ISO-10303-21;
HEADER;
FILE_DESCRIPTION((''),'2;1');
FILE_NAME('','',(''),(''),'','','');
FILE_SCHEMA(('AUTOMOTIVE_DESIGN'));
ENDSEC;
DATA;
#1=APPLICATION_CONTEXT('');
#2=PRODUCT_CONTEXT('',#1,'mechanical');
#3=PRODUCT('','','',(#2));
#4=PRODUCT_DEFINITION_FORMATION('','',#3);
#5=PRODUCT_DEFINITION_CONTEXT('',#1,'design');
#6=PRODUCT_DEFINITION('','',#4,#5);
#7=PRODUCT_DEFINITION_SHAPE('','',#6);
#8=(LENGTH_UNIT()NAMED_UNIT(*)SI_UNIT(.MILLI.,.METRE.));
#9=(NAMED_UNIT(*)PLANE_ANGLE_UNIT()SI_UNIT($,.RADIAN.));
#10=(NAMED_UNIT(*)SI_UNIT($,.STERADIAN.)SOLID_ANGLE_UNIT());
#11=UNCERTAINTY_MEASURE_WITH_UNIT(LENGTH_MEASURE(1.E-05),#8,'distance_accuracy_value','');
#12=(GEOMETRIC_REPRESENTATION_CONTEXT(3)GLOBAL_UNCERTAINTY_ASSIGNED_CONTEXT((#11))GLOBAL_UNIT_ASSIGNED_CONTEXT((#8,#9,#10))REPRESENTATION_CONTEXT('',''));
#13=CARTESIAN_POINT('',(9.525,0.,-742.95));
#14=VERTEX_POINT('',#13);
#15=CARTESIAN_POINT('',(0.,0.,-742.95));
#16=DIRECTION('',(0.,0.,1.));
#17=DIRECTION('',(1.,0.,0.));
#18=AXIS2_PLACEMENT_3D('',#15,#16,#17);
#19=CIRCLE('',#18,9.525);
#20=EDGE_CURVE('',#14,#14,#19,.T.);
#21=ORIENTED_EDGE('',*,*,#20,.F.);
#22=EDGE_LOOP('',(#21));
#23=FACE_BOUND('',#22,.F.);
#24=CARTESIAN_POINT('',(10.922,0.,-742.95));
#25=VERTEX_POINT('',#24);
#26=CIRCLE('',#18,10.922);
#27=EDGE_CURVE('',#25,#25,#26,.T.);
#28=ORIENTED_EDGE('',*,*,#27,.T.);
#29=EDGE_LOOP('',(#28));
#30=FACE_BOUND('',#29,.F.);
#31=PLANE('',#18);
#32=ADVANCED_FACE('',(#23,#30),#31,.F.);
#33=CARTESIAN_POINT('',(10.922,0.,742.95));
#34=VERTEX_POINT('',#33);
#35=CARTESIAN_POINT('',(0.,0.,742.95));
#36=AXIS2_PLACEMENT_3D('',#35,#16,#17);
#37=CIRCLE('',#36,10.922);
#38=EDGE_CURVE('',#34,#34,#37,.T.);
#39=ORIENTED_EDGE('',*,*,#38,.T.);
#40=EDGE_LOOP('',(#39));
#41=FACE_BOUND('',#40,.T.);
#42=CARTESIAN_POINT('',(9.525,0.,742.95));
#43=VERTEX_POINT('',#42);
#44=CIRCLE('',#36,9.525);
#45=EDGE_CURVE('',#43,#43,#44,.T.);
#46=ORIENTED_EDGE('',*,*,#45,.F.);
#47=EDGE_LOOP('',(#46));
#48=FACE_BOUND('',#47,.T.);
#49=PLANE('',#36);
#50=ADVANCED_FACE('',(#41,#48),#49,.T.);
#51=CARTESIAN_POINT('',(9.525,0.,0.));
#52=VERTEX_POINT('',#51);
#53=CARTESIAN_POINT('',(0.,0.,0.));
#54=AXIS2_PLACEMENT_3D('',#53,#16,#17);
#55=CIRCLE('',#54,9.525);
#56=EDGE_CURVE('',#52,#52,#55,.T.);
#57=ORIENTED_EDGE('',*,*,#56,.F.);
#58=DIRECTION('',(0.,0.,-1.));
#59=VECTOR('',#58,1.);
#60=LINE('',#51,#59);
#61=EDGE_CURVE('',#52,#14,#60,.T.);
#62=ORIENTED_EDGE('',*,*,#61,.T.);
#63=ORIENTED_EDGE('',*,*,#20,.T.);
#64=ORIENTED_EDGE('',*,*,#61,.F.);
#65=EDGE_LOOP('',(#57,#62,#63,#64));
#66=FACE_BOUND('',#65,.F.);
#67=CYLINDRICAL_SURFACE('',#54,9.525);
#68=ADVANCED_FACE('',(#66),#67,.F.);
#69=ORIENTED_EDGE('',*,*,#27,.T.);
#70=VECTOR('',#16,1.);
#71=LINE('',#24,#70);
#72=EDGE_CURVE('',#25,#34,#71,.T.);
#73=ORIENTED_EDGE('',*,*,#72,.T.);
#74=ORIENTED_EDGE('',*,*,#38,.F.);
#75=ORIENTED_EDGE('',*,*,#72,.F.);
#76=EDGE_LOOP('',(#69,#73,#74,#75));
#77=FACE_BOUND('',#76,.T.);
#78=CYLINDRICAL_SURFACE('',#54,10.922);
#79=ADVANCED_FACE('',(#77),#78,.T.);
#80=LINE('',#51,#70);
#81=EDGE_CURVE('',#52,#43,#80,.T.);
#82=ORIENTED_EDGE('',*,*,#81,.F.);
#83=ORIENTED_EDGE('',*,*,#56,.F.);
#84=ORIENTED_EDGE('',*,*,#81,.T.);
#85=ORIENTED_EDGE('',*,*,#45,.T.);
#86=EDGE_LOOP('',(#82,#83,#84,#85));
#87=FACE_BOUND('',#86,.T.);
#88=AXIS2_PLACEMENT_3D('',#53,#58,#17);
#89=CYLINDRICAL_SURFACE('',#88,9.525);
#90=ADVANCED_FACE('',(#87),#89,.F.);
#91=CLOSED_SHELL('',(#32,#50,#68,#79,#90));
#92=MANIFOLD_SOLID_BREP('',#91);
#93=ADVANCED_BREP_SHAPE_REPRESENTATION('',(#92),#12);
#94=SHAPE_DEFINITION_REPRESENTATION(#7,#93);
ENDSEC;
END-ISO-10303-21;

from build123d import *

# Parameters (mm, degrees)
SKETCH3_R                = 10.922
SKETCH3_R_2              = 9.525
BOSS_EXTRUDE1_DEPTH      = 742.95
BOSS_EXTRUDE1_DEPTH_BACK = 742.95


with BuildPart() as part:
    # Sketch3 → Boss-Extrude1 (new body, two sides)
    with BuildSketch(Plane.XY) as boss_extrude1_sk:
        Circle(SKETCH3_R)
        Circle(SKETCH3_R_2, mode=Mode.SUBTRACT)
    extrude(amount=BOSS_EXTRUDE1_DEPTH)
    extrude(boss_extrude1_sk.sketch, amount=-BOSS_EXTRUDE1_DEPTH_BACK)


solid = part.part
